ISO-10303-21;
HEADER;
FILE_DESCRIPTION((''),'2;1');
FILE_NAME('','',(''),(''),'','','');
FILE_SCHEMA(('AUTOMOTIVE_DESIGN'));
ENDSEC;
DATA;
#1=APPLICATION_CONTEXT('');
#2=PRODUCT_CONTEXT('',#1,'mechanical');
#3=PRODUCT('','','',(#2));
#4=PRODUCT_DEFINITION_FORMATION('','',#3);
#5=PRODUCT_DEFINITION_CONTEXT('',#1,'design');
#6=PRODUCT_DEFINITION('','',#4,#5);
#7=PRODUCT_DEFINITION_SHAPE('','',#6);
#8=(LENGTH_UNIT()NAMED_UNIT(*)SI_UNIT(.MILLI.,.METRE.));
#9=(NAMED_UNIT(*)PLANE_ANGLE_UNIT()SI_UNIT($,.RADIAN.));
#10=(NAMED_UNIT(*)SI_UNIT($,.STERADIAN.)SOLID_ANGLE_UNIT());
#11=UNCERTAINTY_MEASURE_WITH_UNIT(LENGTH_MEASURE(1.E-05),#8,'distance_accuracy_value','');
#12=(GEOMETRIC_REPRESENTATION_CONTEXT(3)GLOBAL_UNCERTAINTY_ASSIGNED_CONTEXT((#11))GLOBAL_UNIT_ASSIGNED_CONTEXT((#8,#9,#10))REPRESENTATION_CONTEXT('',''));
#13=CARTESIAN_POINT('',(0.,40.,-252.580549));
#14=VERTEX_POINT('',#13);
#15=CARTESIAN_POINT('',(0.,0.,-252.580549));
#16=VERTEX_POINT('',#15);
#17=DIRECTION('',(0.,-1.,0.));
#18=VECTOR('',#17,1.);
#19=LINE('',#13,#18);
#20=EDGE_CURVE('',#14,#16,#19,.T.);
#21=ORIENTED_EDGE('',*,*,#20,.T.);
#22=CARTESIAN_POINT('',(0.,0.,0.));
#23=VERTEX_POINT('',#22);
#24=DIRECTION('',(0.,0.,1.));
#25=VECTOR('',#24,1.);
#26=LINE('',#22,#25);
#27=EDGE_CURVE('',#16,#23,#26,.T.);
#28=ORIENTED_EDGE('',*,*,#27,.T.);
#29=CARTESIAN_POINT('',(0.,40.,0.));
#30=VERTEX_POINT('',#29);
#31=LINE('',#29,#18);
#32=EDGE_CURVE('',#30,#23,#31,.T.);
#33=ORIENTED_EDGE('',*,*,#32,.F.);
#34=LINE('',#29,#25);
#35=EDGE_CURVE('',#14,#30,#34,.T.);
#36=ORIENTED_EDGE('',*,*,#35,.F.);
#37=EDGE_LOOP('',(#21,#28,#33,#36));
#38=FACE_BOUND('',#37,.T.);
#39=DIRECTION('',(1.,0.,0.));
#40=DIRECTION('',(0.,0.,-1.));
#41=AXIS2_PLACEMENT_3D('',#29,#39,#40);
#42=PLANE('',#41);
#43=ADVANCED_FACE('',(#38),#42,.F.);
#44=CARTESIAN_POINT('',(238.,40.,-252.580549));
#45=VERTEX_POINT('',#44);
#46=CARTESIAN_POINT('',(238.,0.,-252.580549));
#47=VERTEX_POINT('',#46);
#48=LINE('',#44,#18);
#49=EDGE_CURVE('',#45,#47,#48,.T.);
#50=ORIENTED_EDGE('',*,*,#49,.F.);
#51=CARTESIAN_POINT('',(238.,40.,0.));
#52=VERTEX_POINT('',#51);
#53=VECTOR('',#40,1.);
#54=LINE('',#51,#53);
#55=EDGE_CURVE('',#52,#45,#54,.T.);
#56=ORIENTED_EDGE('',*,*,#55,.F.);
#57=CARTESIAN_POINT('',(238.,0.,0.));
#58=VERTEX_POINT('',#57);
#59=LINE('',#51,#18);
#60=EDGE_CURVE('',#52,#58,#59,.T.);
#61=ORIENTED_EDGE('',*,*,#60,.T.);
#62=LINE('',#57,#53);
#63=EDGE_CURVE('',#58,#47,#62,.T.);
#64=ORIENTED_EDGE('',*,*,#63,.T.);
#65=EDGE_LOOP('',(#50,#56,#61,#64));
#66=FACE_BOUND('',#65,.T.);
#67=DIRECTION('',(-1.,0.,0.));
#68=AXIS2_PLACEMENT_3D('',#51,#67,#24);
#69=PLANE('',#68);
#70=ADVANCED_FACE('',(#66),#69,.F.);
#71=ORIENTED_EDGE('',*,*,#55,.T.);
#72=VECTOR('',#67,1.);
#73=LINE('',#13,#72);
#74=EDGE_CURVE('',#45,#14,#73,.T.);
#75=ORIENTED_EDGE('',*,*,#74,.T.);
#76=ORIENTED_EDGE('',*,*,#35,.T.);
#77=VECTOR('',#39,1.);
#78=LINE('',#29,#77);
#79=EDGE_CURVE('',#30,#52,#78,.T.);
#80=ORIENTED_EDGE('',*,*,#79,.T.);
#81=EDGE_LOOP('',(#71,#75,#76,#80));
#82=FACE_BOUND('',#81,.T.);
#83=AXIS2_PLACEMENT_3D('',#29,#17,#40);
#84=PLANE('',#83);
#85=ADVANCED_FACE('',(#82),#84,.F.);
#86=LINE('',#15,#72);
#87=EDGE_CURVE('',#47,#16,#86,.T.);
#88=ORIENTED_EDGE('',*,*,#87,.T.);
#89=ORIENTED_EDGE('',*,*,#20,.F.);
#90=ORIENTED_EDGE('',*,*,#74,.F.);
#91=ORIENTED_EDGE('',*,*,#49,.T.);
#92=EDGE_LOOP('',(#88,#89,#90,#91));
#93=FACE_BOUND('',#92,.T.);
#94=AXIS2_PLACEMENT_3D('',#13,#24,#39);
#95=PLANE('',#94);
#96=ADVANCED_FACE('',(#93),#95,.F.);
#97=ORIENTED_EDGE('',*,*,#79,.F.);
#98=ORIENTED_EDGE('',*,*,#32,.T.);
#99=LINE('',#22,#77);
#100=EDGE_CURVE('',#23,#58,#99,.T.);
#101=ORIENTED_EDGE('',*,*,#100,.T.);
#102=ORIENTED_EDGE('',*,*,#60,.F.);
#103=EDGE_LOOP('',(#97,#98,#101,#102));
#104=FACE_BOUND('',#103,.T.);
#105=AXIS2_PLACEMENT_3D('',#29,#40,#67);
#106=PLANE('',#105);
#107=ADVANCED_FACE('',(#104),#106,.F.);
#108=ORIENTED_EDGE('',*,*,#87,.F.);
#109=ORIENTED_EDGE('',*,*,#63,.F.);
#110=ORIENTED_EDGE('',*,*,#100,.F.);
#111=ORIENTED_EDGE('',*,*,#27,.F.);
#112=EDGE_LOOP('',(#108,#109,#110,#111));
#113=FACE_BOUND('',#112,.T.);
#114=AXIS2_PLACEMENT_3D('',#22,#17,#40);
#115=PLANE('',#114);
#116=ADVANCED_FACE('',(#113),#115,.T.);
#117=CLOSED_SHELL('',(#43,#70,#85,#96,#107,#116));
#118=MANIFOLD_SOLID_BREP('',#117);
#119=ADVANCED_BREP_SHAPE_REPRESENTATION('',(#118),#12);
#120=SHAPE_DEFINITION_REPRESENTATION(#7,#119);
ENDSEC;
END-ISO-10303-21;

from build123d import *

# Parameters (mm, degrees)
SKETCH_1_W      = 238
SKETCH_1_H      = 252.580549317
EXTRUDE_1_DEPTH = 40


with BuildPart() as part:
    # Эскиз1 → Бобышка-Вытянуть1 (new body)
    with BuildSketch(Plane(origin=(0, 0, 0), x_dir=(1, 0, 0), z_dir=(0, 1, 0))):
        with Locations((119, 126.290274659)):
            Rectangle(SKETCH_1_W, SKETCH_1_H)
    extrude(amount=EXTRUDE_1_DEPTH)


solid = part.part
